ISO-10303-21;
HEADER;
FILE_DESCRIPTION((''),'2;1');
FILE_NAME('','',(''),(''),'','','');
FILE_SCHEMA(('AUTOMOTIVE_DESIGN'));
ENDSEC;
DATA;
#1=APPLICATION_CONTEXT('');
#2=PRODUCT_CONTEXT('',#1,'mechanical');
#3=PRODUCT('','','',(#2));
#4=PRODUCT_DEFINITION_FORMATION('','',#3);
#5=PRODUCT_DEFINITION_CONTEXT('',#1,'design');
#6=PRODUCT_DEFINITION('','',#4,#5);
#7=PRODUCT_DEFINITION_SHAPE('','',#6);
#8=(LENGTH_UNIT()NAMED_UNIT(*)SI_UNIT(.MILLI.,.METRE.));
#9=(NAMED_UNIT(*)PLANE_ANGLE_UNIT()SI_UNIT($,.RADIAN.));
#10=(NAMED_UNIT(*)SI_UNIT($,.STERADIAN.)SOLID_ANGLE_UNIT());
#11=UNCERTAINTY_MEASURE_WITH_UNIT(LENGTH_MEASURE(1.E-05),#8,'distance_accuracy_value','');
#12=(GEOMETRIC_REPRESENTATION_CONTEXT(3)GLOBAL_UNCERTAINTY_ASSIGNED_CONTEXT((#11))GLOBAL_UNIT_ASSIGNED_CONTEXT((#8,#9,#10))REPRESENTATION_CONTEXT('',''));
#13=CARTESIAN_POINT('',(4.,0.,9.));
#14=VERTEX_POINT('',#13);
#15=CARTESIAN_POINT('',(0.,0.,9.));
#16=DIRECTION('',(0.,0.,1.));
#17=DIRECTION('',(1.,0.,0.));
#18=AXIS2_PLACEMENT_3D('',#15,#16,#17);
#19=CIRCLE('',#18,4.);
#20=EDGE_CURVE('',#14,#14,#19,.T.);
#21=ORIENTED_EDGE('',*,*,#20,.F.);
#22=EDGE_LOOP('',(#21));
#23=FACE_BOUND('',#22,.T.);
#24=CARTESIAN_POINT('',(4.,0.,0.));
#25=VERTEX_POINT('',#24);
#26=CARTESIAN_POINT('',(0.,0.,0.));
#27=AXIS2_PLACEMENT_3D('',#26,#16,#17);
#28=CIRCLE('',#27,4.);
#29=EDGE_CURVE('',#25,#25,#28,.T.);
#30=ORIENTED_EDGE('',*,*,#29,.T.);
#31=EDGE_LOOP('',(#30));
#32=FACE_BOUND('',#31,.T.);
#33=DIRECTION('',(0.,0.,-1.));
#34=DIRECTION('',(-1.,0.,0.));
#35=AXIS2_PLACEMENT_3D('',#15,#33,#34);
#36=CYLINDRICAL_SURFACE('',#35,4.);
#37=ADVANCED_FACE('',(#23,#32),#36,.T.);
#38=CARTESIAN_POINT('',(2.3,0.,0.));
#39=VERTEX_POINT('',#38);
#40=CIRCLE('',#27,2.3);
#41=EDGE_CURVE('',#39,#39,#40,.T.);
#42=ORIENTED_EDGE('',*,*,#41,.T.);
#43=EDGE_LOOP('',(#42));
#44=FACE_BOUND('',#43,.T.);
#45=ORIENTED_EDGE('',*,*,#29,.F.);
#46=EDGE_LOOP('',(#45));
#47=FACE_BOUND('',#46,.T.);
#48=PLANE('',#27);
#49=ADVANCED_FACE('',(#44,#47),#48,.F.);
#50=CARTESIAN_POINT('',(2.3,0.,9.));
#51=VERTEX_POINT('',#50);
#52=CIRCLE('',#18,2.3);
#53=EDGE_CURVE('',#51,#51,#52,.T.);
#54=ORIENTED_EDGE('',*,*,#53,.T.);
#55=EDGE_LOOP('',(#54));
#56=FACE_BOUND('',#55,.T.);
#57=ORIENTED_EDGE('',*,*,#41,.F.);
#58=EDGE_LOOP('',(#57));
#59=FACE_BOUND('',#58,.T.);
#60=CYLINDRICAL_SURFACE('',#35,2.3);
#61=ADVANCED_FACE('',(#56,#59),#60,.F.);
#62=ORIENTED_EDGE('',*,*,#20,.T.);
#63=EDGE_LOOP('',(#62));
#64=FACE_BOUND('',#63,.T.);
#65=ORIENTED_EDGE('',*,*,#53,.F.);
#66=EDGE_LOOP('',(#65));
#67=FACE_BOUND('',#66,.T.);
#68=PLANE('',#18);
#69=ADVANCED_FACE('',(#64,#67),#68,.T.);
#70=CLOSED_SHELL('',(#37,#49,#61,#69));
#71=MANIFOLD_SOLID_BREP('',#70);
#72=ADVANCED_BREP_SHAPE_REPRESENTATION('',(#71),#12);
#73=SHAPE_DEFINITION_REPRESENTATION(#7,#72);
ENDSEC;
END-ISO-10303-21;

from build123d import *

# Parameters (mm, degrees)
SKETCH1_R           = 4
SKETCH1_R_2         = 2.3
BOSS_EXTRUDE1_DEPTH = 9


with BuildPart() as part:
    # Sketch1 → Boss-Extrude1 (new body)
    with BuildSketch(Plane.XY):
        Circle(SKETCH1_R)
        Circle(SKETCH1_R_2, mode=Mode.SUBTRACT)
    extrude(amount=BOSS_EXTRUDE1_DEPTH)


solid = part.part
